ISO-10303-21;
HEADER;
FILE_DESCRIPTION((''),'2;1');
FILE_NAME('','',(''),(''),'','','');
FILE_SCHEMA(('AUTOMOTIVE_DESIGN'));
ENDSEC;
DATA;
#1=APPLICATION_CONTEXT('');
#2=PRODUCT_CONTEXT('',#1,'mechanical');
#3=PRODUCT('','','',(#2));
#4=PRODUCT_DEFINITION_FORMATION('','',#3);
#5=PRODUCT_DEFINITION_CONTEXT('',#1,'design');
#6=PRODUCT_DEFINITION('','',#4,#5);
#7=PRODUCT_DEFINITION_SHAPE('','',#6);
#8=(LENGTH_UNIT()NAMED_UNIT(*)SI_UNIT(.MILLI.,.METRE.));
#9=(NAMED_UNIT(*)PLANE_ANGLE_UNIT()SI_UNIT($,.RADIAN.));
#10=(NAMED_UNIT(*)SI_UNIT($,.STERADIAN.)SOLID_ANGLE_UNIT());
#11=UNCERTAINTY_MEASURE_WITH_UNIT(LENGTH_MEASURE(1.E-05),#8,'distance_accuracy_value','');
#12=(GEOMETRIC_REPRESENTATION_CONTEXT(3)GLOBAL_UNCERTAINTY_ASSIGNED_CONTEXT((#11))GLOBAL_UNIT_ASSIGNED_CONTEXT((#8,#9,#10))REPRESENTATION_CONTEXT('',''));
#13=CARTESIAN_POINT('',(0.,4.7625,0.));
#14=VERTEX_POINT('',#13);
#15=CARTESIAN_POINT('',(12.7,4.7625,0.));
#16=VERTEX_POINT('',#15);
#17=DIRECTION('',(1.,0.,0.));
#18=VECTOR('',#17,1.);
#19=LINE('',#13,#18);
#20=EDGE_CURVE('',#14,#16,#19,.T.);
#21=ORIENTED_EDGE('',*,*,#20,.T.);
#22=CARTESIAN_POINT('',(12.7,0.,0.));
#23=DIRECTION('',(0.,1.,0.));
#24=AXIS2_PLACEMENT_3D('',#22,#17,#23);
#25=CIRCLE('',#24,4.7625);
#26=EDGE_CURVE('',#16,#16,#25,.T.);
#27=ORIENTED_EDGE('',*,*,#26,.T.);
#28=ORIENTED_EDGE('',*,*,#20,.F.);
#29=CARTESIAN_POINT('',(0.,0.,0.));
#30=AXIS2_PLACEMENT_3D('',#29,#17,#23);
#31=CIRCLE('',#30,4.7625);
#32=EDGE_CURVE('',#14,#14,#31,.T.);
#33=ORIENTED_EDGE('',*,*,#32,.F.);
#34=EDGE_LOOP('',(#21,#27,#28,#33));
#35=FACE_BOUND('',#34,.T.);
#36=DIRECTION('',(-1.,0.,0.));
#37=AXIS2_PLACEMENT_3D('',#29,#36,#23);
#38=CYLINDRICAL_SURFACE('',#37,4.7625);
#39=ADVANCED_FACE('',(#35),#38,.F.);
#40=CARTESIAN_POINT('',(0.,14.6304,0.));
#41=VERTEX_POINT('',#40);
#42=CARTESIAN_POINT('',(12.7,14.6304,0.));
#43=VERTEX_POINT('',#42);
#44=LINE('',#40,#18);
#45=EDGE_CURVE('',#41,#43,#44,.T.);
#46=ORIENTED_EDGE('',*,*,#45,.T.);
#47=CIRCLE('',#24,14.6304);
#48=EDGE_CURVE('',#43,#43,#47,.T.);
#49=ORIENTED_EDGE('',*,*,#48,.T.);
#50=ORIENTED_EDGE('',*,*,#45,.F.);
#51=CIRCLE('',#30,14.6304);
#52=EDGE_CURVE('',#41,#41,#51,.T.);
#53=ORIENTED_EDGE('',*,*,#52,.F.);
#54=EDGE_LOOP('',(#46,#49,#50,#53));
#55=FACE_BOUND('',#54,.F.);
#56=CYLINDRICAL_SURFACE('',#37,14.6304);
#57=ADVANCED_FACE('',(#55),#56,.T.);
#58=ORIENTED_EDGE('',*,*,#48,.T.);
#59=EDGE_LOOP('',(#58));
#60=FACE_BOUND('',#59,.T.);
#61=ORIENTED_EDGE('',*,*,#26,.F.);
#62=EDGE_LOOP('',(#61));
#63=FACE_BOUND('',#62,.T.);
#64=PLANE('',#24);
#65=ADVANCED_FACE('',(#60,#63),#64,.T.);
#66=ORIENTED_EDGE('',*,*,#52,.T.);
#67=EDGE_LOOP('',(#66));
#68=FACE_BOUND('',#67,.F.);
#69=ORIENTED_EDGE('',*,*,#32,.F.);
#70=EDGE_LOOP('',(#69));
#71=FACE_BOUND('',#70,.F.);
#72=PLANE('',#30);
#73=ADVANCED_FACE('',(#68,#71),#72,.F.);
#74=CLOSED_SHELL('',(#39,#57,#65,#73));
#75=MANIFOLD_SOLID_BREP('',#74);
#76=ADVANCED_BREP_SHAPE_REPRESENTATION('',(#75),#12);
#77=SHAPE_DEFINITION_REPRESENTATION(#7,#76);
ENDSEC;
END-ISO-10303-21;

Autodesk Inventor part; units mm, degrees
ref_plane "YZ Plane" through (0, 0, 0) normal (1, 0, 0) x (0, 1, 0)
ref_plane "XZ Plane" through (0, 0, 0) normal (0, 1, 0) x (-1, 0, 0)
ref_plane "XY Plane" through (0, 0, 0) normal (0, 0, 1) x (1, 0, 0)
sketch "Sketch3" plane through (0, 0, 0) normal (1, 0, 0) x (0, 1, 0)
  circle A0 centre (0, 0) radius 15.875 construction
  circle A1 centre (0, 0) radius 14.6304
  circle A2 centre (0, 0) radius 4.7625
  dimension "d8" = 31.75
  dimension "d9" = 1.2446
  dimension "d15" = 9.525
  dimension "d22" = 29.2608
extrude "Extrusion3" add sketch "Sketch3" along normal blind 12.7
thread "Thread1" size "3/8-16 UNC" class "2B" standard "ANSI Unified Screw Threads" full length
properties part number "Roller End Plug"
